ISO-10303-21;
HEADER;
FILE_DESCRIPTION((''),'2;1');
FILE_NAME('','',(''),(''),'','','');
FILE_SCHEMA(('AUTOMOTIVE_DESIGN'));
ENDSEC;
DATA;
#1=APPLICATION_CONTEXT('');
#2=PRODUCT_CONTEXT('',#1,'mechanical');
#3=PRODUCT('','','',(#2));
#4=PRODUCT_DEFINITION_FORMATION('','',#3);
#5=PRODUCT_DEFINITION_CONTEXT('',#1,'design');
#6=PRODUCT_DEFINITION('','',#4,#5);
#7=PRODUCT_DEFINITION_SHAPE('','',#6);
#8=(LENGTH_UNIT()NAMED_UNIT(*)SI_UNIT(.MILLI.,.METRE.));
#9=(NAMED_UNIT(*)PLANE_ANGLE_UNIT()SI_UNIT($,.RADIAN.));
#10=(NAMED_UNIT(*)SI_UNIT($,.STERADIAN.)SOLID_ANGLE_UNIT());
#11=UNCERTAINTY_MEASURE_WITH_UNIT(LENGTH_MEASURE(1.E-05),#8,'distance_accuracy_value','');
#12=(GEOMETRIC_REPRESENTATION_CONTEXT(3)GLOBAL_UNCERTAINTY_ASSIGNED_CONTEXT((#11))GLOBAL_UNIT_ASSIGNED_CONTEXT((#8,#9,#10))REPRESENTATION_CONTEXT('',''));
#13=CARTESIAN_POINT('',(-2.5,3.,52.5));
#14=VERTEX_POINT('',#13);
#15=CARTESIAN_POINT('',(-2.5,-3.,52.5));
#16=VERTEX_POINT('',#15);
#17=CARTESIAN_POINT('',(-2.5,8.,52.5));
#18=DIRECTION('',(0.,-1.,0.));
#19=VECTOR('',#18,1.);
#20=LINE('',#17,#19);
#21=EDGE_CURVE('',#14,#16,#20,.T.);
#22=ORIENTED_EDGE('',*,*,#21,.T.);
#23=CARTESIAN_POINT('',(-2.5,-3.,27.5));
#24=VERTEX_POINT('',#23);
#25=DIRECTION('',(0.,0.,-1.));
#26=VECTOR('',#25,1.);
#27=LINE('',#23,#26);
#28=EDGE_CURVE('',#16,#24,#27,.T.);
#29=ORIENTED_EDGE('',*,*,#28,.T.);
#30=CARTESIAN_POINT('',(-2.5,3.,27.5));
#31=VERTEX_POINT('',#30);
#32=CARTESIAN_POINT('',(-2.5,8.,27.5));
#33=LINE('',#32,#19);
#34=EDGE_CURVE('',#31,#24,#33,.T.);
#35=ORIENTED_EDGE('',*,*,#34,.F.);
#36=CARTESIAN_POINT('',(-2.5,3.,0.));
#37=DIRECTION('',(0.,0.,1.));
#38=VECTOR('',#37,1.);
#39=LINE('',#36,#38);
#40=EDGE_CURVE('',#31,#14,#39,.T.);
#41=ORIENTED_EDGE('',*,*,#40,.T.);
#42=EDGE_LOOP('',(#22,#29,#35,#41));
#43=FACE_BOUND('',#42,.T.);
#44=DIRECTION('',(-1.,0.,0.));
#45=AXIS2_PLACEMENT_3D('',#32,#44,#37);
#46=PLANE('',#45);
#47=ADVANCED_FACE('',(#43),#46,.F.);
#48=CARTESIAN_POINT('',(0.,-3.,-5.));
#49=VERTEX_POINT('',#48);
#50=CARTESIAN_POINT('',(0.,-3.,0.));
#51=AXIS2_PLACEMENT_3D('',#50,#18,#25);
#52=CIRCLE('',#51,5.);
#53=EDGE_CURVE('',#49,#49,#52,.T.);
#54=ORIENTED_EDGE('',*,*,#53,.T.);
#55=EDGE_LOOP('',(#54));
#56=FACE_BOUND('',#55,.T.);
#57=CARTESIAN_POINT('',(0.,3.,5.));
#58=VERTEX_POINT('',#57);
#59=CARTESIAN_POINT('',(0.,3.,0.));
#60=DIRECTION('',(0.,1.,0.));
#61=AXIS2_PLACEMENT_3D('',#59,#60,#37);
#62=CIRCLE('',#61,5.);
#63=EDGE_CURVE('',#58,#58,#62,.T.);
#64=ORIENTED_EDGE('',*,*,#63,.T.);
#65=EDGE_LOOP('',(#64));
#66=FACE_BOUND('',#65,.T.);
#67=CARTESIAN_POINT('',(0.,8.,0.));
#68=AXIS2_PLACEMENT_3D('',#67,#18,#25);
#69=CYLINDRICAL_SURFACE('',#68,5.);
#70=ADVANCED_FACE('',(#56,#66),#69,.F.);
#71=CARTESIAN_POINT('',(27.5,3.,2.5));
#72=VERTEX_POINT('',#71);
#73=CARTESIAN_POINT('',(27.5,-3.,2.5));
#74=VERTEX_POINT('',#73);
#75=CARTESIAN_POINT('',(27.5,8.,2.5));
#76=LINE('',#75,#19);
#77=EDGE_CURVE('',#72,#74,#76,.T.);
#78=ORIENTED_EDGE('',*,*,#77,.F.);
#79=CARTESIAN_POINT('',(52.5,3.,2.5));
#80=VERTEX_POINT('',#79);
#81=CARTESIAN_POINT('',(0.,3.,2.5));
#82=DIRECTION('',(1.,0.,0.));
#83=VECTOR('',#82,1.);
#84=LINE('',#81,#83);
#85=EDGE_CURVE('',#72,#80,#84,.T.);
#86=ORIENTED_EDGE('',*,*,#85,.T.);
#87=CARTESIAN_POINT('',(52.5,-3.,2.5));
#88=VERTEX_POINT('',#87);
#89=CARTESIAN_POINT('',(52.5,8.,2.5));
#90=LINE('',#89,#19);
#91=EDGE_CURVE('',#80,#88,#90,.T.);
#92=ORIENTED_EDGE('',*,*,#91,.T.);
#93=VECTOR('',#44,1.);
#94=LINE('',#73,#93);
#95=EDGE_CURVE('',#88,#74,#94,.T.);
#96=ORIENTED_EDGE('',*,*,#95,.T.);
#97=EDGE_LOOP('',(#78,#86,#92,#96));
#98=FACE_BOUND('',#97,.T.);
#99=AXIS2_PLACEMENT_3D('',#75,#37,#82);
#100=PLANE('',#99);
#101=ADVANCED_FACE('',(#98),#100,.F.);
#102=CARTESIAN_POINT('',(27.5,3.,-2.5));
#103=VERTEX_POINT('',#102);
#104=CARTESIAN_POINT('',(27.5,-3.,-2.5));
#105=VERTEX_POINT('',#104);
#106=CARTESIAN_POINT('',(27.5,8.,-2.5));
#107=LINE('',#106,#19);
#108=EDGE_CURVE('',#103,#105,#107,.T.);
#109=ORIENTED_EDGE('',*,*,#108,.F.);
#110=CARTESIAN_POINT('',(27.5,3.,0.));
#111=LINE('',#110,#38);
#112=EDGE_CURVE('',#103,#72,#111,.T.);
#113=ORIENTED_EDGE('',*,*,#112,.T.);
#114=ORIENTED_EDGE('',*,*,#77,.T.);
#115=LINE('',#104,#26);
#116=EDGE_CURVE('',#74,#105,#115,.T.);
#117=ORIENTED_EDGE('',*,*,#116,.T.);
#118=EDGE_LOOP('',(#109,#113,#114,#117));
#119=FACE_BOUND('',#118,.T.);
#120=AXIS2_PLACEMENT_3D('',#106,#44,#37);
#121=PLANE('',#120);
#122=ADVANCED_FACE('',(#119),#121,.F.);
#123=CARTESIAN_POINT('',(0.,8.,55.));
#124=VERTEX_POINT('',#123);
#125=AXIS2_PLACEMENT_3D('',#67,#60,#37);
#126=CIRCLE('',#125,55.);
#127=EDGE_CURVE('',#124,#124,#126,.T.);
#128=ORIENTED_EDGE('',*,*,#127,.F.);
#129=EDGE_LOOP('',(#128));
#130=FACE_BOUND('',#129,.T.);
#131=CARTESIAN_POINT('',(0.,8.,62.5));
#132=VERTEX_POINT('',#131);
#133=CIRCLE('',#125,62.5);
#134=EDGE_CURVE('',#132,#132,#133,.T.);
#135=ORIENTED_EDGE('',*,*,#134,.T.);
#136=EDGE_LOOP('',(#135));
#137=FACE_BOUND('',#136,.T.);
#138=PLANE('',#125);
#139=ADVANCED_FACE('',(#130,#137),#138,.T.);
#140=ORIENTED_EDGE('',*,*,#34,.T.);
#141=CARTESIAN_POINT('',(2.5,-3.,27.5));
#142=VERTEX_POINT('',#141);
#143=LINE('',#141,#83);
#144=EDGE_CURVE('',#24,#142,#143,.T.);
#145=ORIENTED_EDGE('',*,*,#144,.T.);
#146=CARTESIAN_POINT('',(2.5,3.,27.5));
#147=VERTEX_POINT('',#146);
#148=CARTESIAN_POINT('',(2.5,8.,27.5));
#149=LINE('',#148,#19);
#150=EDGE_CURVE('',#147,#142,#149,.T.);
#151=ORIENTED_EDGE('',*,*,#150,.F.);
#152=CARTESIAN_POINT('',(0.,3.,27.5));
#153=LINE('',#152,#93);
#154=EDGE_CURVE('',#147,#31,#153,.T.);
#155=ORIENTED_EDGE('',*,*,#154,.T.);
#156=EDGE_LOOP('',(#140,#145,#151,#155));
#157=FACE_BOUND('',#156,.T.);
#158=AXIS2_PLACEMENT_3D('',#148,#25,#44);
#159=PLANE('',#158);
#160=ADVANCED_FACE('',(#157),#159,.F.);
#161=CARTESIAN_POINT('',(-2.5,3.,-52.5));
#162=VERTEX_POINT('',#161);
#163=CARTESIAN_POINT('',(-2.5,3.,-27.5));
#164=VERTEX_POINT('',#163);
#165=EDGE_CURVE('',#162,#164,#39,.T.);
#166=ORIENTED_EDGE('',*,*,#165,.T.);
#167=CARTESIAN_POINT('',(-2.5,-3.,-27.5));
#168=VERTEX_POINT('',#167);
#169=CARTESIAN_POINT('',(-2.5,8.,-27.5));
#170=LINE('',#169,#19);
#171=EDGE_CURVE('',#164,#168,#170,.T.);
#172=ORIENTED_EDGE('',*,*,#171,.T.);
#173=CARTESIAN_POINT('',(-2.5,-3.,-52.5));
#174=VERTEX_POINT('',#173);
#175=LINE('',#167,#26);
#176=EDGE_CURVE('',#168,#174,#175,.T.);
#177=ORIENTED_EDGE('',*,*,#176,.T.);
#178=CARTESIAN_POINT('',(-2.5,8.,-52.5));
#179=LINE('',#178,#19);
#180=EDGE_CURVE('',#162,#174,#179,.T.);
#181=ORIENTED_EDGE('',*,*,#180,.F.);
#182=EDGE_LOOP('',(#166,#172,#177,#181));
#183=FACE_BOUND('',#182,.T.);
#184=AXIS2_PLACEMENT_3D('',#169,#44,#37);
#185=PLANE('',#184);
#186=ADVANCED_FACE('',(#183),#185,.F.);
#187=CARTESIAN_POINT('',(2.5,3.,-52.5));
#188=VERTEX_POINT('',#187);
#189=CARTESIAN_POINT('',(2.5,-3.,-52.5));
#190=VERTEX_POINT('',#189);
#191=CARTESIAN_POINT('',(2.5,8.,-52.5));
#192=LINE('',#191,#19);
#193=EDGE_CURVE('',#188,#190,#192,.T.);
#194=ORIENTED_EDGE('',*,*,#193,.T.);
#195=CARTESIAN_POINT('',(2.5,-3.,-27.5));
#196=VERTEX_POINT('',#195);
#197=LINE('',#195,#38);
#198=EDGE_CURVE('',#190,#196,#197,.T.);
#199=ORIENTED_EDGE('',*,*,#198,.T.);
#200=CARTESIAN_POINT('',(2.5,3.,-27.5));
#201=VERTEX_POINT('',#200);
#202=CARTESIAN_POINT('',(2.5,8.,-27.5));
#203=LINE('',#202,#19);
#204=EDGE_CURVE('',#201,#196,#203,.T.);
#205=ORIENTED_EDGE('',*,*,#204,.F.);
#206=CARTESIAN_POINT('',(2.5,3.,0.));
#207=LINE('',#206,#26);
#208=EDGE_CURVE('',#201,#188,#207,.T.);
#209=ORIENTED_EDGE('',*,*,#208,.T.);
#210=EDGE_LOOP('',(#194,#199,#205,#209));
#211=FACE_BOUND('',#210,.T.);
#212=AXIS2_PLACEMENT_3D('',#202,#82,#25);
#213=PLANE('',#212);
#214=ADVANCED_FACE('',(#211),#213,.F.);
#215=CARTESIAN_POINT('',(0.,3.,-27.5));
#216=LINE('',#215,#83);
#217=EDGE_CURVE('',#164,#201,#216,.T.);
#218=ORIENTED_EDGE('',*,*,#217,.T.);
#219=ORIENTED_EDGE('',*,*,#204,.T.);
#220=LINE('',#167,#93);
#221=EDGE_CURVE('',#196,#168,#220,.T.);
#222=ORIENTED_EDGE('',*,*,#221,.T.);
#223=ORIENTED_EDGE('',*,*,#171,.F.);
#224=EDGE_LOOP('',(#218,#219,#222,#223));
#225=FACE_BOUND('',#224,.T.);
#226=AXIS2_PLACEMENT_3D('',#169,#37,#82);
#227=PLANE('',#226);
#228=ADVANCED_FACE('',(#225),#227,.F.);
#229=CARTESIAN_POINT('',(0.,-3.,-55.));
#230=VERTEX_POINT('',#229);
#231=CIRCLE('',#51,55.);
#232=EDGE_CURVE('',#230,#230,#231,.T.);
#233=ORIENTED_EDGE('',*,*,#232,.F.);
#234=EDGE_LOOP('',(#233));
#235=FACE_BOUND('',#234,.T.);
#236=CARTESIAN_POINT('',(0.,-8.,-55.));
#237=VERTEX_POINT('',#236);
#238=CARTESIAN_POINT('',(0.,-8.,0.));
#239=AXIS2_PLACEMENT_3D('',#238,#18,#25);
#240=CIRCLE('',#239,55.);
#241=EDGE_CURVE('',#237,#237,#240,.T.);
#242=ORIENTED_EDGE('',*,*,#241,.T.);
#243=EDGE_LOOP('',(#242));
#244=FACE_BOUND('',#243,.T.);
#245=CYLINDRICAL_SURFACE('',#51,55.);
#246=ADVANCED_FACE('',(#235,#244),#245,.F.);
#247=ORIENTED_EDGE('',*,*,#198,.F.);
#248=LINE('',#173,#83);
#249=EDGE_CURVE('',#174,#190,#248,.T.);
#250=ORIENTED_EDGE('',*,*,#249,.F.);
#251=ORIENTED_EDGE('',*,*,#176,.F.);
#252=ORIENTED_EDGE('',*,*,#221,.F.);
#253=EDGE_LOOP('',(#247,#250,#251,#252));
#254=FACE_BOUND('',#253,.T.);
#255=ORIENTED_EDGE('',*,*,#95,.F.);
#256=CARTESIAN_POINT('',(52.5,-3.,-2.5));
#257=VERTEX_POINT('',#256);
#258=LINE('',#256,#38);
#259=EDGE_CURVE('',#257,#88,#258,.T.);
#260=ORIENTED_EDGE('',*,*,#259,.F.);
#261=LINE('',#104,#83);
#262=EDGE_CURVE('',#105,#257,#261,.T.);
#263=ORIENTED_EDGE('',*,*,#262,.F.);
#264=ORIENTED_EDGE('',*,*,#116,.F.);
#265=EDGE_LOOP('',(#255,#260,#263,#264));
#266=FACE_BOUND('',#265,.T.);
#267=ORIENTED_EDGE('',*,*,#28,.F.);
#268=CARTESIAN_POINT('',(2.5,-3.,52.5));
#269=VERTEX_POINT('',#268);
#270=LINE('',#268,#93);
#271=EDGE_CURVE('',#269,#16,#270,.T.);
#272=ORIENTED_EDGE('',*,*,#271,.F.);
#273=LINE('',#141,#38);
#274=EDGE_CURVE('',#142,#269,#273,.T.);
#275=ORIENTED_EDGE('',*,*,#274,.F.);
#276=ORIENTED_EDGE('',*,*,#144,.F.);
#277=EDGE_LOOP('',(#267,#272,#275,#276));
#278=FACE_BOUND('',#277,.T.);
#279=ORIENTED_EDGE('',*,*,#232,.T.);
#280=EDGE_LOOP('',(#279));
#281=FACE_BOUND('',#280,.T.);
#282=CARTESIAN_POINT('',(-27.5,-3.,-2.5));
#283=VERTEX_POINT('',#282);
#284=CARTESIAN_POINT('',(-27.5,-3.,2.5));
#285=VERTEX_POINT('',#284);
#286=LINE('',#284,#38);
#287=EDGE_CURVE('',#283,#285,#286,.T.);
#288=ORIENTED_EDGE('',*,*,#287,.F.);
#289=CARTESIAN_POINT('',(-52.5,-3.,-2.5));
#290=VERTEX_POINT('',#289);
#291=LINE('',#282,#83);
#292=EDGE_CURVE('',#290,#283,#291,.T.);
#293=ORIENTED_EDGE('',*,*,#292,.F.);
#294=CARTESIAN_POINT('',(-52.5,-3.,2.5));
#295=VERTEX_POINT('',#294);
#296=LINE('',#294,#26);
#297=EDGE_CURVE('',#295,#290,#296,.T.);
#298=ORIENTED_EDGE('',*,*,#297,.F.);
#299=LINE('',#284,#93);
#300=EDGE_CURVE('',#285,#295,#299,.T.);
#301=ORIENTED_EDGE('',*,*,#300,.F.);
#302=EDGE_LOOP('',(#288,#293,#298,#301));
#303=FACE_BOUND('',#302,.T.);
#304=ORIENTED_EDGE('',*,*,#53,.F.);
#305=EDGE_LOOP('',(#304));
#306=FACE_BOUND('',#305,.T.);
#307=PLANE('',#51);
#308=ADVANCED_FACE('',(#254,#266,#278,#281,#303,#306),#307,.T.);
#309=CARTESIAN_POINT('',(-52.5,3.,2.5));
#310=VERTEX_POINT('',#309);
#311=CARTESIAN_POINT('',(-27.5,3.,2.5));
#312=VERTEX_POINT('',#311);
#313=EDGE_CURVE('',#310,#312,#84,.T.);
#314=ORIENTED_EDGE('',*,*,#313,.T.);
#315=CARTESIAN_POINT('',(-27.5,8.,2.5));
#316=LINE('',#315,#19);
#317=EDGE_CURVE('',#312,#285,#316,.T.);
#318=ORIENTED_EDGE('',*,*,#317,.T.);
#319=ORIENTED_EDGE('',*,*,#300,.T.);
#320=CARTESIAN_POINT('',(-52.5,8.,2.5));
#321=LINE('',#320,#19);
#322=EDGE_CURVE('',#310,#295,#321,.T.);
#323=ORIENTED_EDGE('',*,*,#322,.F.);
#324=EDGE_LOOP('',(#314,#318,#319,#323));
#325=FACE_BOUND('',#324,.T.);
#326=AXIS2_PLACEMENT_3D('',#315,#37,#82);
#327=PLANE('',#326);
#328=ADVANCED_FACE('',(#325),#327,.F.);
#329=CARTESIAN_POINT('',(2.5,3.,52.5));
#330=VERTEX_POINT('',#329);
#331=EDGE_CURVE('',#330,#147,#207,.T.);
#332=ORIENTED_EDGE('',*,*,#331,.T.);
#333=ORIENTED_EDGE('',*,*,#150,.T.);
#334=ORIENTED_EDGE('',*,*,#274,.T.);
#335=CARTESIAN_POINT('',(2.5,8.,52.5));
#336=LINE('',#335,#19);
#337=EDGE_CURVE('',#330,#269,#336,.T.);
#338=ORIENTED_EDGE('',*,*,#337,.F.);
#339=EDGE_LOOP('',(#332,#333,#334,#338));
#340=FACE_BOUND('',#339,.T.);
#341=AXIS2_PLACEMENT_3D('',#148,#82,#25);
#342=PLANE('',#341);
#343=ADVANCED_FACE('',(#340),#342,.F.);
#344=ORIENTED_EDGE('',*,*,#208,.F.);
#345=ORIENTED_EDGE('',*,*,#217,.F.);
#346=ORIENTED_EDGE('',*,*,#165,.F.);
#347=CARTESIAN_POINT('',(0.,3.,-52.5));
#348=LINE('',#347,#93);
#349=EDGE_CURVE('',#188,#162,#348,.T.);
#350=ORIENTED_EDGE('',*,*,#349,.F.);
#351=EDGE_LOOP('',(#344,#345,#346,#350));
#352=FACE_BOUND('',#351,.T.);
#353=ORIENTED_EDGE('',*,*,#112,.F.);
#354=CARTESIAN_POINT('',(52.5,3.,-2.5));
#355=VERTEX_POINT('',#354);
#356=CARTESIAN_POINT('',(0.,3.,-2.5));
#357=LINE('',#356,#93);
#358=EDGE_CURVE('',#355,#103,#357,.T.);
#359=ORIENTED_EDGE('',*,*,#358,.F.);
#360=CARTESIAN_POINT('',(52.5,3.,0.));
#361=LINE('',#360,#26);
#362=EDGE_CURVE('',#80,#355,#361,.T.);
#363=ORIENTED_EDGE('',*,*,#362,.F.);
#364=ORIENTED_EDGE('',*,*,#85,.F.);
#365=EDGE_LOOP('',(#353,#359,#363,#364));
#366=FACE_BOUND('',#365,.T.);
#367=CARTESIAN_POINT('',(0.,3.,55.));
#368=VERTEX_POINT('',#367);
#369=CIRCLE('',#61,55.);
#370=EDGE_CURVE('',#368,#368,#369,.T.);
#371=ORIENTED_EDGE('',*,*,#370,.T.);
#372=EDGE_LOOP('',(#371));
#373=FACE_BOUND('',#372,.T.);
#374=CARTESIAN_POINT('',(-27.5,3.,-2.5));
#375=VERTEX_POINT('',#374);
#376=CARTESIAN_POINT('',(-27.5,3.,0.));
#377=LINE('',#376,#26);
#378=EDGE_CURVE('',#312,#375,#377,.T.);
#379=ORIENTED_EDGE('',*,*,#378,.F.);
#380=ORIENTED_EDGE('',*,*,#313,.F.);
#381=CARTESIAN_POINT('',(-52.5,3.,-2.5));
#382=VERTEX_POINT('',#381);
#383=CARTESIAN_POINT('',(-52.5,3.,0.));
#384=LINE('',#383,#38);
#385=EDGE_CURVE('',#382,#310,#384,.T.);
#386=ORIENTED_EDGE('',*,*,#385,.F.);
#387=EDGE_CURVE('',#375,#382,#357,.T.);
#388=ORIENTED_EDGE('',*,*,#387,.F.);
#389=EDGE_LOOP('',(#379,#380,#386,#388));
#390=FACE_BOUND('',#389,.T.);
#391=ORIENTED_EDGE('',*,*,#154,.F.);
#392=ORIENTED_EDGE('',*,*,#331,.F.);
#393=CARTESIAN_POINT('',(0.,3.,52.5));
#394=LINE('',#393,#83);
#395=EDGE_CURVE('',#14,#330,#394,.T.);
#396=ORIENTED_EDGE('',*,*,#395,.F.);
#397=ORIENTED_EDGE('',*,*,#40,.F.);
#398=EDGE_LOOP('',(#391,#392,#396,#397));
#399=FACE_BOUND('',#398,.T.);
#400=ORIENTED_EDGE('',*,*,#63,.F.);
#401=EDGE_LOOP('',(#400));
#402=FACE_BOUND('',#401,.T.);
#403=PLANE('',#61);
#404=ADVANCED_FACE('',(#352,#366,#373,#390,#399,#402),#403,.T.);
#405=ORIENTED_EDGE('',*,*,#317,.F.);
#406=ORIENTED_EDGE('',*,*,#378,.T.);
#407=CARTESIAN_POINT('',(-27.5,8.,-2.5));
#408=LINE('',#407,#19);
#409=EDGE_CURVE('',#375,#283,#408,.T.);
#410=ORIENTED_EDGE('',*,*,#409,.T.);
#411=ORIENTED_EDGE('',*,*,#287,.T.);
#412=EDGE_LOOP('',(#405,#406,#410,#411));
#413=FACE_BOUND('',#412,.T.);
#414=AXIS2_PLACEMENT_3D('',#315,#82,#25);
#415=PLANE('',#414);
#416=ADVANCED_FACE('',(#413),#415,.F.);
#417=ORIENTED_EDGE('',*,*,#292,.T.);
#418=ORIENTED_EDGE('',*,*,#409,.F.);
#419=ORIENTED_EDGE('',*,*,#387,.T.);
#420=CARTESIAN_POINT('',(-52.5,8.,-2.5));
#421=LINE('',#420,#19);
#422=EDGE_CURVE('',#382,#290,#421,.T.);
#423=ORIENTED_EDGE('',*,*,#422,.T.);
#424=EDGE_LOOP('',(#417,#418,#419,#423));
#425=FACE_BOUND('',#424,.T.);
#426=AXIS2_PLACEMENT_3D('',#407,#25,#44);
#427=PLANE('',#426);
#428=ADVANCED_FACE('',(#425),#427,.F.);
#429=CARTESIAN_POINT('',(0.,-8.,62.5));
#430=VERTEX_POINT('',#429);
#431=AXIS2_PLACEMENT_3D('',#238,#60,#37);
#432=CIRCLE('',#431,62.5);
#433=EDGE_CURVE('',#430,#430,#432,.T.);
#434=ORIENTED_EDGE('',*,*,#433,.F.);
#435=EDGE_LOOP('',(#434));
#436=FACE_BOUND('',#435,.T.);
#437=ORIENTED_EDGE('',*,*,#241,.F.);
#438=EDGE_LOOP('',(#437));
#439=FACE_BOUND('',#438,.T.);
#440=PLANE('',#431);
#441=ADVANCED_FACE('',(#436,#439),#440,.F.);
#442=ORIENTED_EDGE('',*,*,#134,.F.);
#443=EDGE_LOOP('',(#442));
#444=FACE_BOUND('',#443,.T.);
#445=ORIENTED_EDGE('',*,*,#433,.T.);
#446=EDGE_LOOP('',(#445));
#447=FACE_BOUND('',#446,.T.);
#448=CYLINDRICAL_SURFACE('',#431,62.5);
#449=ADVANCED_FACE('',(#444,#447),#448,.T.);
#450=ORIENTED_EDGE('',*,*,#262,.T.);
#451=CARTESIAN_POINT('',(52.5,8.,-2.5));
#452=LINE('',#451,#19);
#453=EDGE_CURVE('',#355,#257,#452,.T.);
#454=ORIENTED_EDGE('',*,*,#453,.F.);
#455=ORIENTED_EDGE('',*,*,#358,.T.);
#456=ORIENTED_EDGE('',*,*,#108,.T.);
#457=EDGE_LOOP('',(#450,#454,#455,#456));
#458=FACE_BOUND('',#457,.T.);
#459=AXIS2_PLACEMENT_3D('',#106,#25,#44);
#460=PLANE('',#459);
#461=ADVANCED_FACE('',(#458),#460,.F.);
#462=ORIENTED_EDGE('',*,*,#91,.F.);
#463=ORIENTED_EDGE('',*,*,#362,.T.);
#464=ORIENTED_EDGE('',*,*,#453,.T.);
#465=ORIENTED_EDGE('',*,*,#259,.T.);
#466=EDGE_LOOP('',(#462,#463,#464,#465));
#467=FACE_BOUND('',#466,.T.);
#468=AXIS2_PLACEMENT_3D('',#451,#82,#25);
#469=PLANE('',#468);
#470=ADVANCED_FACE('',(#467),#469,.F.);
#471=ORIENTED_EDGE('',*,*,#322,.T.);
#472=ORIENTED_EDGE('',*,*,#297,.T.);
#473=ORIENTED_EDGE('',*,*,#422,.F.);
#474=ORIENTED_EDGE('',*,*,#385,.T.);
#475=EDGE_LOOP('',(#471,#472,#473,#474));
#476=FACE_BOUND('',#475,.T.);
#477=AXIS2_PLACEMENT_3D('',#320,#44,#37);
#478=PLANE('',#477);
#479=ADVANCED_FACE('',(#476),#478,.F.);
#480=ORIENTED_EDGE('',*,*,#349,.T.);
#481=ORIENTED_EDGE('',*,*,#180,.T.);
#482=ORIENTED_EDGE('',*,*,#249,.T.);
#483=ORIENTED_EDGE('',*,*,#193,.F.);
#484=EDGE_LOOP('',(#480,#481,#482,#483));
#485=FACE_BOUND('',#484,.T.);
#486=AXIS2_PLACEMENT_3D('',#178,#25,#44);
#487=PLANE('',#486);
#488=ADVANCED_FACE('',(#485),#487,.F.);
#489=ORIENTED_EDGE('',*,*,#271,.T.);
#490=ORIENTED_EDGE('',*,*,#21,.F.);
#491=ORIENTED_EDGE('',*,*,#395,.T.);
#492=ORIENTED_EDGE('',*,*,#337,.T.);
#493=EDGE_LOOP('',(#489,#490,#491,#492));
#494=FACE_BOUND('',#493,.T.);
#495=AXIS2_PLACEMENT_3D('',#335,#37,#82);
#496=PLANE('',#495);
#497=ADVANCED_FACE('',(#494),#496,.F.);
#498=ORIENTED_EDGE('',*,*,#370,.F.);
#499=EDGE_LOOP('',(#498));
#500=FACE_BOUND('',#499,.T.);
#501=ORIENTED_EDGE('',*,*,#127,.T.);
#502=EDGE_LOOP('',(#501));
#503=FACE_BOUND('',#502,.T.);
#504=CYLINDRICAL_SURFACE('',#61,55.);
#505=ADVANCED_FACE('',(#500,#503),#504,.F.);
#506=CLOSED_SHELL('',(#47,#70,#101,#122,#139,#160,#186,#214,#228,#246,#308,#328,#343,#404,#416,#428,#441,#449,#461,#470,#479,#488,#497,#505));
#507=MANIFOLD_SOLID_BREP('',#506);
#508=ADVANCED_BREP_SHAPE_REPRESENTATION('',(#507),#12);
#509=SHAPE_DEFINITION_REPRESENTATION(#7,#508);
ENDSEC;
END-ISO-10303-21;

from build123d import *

# Parameters (mm, degrees)
BOSS_EXTRUDE1_DEPTH      = 8
BOSS_EXTRUDE1_DEPTH_BACK = 8
SKETCH1_R                = 62.5
SKETCH2_R                = 55
CUT_EXTRUDE1_DEPTH       = 5
CUT_EXTRUDE2_START       = -5
SKETCH3_R                = 55
CUT_EXTRUDE2_DEPTH       = 5
SKETCH4_R                = 5
CUT_EXTRUDE3_DEPTH       = 90.070197036
SKETCH5_W                = 5
SKETCH5_H                = 25
CUT_EXTRUDE4_DEPTH       = 90.070197036
CIRPATTERN1_COUNT        = 4


with BuildPart() as part:
    # Sketch1 → Boss-Extrude1 (new, two sides: drawn at the far end of the back side and taken through both)
    with BuildSketch(Plane(origin=(0, 0, 0), x_dir=(1, 0, 0), z_dir=(0, 1, 0)).offset(-BOSS_EXTRUDE1_DEPTH_BACK)):
        Circle(SKETCH1_R)
    extrude(amount=BOSS_EXTRUDE1_DEPTH + BOSS_EXTRUDE1_DEPTH_BACK)

    # Sketch2 → Cut-Extrude1 (cut)
    with BuildSketch(Plane(origin=(0, 8, 0), x_dir=(1, 0, 0), z_dir=(0, 1, 0))):
        Circle(SKETCH2_R)
    extrude(amount=-CUT_EXTRUDE1_DEPTH, mode=Mode.SUBTRACT)

    # Sketch3 → Cut-Extrude2 (cut)
    with BuildSketch(Plane.XZ.offset(8).offset(CUT_EXTRUDE2_START)):
        Circle(SKETCH3_R)
    extrude(amount=CUT_EXTRUDE2_DEPTH, mode=Mode.SUBTRACT)

    # Sketch4 → Cut-Extrude3 (cut, through all)
    with BuildSketch(Plane.XZ.offset(3)):
        Circle(SKETCH4_R)
    extrude(amount=-CUT_EXTRUDE3_DEPTH, mode=Mode.SUBTRACT)

    # Sketch5 → Cut-Extrude4 (cut, through all)
    with BuildSketch(Plane.XZ.offset(3)):
        with Locations((0, 40)):
            Rectangle(SKETCH5_W, SKETCH5_H)
    cut_extrude4 = extrude(amount=-CUT_EXTRUDE4_DEPTH, mode=Mode.SUBTRACT)

    # CirPattern1: Cut-Extrude4 ×4 about axis
    cirpattern1_axis = Axis((0, -8, 0), (0, 1, 0))
    for i in range(1, CIRPATTERN1_COUNT):
        add(cut_extrude4.rotate(cirpattern1_axis, i * 360 / CIRPATTERN1_COUNT), mode=Mode.SUBTRACT)


solid = part.part
